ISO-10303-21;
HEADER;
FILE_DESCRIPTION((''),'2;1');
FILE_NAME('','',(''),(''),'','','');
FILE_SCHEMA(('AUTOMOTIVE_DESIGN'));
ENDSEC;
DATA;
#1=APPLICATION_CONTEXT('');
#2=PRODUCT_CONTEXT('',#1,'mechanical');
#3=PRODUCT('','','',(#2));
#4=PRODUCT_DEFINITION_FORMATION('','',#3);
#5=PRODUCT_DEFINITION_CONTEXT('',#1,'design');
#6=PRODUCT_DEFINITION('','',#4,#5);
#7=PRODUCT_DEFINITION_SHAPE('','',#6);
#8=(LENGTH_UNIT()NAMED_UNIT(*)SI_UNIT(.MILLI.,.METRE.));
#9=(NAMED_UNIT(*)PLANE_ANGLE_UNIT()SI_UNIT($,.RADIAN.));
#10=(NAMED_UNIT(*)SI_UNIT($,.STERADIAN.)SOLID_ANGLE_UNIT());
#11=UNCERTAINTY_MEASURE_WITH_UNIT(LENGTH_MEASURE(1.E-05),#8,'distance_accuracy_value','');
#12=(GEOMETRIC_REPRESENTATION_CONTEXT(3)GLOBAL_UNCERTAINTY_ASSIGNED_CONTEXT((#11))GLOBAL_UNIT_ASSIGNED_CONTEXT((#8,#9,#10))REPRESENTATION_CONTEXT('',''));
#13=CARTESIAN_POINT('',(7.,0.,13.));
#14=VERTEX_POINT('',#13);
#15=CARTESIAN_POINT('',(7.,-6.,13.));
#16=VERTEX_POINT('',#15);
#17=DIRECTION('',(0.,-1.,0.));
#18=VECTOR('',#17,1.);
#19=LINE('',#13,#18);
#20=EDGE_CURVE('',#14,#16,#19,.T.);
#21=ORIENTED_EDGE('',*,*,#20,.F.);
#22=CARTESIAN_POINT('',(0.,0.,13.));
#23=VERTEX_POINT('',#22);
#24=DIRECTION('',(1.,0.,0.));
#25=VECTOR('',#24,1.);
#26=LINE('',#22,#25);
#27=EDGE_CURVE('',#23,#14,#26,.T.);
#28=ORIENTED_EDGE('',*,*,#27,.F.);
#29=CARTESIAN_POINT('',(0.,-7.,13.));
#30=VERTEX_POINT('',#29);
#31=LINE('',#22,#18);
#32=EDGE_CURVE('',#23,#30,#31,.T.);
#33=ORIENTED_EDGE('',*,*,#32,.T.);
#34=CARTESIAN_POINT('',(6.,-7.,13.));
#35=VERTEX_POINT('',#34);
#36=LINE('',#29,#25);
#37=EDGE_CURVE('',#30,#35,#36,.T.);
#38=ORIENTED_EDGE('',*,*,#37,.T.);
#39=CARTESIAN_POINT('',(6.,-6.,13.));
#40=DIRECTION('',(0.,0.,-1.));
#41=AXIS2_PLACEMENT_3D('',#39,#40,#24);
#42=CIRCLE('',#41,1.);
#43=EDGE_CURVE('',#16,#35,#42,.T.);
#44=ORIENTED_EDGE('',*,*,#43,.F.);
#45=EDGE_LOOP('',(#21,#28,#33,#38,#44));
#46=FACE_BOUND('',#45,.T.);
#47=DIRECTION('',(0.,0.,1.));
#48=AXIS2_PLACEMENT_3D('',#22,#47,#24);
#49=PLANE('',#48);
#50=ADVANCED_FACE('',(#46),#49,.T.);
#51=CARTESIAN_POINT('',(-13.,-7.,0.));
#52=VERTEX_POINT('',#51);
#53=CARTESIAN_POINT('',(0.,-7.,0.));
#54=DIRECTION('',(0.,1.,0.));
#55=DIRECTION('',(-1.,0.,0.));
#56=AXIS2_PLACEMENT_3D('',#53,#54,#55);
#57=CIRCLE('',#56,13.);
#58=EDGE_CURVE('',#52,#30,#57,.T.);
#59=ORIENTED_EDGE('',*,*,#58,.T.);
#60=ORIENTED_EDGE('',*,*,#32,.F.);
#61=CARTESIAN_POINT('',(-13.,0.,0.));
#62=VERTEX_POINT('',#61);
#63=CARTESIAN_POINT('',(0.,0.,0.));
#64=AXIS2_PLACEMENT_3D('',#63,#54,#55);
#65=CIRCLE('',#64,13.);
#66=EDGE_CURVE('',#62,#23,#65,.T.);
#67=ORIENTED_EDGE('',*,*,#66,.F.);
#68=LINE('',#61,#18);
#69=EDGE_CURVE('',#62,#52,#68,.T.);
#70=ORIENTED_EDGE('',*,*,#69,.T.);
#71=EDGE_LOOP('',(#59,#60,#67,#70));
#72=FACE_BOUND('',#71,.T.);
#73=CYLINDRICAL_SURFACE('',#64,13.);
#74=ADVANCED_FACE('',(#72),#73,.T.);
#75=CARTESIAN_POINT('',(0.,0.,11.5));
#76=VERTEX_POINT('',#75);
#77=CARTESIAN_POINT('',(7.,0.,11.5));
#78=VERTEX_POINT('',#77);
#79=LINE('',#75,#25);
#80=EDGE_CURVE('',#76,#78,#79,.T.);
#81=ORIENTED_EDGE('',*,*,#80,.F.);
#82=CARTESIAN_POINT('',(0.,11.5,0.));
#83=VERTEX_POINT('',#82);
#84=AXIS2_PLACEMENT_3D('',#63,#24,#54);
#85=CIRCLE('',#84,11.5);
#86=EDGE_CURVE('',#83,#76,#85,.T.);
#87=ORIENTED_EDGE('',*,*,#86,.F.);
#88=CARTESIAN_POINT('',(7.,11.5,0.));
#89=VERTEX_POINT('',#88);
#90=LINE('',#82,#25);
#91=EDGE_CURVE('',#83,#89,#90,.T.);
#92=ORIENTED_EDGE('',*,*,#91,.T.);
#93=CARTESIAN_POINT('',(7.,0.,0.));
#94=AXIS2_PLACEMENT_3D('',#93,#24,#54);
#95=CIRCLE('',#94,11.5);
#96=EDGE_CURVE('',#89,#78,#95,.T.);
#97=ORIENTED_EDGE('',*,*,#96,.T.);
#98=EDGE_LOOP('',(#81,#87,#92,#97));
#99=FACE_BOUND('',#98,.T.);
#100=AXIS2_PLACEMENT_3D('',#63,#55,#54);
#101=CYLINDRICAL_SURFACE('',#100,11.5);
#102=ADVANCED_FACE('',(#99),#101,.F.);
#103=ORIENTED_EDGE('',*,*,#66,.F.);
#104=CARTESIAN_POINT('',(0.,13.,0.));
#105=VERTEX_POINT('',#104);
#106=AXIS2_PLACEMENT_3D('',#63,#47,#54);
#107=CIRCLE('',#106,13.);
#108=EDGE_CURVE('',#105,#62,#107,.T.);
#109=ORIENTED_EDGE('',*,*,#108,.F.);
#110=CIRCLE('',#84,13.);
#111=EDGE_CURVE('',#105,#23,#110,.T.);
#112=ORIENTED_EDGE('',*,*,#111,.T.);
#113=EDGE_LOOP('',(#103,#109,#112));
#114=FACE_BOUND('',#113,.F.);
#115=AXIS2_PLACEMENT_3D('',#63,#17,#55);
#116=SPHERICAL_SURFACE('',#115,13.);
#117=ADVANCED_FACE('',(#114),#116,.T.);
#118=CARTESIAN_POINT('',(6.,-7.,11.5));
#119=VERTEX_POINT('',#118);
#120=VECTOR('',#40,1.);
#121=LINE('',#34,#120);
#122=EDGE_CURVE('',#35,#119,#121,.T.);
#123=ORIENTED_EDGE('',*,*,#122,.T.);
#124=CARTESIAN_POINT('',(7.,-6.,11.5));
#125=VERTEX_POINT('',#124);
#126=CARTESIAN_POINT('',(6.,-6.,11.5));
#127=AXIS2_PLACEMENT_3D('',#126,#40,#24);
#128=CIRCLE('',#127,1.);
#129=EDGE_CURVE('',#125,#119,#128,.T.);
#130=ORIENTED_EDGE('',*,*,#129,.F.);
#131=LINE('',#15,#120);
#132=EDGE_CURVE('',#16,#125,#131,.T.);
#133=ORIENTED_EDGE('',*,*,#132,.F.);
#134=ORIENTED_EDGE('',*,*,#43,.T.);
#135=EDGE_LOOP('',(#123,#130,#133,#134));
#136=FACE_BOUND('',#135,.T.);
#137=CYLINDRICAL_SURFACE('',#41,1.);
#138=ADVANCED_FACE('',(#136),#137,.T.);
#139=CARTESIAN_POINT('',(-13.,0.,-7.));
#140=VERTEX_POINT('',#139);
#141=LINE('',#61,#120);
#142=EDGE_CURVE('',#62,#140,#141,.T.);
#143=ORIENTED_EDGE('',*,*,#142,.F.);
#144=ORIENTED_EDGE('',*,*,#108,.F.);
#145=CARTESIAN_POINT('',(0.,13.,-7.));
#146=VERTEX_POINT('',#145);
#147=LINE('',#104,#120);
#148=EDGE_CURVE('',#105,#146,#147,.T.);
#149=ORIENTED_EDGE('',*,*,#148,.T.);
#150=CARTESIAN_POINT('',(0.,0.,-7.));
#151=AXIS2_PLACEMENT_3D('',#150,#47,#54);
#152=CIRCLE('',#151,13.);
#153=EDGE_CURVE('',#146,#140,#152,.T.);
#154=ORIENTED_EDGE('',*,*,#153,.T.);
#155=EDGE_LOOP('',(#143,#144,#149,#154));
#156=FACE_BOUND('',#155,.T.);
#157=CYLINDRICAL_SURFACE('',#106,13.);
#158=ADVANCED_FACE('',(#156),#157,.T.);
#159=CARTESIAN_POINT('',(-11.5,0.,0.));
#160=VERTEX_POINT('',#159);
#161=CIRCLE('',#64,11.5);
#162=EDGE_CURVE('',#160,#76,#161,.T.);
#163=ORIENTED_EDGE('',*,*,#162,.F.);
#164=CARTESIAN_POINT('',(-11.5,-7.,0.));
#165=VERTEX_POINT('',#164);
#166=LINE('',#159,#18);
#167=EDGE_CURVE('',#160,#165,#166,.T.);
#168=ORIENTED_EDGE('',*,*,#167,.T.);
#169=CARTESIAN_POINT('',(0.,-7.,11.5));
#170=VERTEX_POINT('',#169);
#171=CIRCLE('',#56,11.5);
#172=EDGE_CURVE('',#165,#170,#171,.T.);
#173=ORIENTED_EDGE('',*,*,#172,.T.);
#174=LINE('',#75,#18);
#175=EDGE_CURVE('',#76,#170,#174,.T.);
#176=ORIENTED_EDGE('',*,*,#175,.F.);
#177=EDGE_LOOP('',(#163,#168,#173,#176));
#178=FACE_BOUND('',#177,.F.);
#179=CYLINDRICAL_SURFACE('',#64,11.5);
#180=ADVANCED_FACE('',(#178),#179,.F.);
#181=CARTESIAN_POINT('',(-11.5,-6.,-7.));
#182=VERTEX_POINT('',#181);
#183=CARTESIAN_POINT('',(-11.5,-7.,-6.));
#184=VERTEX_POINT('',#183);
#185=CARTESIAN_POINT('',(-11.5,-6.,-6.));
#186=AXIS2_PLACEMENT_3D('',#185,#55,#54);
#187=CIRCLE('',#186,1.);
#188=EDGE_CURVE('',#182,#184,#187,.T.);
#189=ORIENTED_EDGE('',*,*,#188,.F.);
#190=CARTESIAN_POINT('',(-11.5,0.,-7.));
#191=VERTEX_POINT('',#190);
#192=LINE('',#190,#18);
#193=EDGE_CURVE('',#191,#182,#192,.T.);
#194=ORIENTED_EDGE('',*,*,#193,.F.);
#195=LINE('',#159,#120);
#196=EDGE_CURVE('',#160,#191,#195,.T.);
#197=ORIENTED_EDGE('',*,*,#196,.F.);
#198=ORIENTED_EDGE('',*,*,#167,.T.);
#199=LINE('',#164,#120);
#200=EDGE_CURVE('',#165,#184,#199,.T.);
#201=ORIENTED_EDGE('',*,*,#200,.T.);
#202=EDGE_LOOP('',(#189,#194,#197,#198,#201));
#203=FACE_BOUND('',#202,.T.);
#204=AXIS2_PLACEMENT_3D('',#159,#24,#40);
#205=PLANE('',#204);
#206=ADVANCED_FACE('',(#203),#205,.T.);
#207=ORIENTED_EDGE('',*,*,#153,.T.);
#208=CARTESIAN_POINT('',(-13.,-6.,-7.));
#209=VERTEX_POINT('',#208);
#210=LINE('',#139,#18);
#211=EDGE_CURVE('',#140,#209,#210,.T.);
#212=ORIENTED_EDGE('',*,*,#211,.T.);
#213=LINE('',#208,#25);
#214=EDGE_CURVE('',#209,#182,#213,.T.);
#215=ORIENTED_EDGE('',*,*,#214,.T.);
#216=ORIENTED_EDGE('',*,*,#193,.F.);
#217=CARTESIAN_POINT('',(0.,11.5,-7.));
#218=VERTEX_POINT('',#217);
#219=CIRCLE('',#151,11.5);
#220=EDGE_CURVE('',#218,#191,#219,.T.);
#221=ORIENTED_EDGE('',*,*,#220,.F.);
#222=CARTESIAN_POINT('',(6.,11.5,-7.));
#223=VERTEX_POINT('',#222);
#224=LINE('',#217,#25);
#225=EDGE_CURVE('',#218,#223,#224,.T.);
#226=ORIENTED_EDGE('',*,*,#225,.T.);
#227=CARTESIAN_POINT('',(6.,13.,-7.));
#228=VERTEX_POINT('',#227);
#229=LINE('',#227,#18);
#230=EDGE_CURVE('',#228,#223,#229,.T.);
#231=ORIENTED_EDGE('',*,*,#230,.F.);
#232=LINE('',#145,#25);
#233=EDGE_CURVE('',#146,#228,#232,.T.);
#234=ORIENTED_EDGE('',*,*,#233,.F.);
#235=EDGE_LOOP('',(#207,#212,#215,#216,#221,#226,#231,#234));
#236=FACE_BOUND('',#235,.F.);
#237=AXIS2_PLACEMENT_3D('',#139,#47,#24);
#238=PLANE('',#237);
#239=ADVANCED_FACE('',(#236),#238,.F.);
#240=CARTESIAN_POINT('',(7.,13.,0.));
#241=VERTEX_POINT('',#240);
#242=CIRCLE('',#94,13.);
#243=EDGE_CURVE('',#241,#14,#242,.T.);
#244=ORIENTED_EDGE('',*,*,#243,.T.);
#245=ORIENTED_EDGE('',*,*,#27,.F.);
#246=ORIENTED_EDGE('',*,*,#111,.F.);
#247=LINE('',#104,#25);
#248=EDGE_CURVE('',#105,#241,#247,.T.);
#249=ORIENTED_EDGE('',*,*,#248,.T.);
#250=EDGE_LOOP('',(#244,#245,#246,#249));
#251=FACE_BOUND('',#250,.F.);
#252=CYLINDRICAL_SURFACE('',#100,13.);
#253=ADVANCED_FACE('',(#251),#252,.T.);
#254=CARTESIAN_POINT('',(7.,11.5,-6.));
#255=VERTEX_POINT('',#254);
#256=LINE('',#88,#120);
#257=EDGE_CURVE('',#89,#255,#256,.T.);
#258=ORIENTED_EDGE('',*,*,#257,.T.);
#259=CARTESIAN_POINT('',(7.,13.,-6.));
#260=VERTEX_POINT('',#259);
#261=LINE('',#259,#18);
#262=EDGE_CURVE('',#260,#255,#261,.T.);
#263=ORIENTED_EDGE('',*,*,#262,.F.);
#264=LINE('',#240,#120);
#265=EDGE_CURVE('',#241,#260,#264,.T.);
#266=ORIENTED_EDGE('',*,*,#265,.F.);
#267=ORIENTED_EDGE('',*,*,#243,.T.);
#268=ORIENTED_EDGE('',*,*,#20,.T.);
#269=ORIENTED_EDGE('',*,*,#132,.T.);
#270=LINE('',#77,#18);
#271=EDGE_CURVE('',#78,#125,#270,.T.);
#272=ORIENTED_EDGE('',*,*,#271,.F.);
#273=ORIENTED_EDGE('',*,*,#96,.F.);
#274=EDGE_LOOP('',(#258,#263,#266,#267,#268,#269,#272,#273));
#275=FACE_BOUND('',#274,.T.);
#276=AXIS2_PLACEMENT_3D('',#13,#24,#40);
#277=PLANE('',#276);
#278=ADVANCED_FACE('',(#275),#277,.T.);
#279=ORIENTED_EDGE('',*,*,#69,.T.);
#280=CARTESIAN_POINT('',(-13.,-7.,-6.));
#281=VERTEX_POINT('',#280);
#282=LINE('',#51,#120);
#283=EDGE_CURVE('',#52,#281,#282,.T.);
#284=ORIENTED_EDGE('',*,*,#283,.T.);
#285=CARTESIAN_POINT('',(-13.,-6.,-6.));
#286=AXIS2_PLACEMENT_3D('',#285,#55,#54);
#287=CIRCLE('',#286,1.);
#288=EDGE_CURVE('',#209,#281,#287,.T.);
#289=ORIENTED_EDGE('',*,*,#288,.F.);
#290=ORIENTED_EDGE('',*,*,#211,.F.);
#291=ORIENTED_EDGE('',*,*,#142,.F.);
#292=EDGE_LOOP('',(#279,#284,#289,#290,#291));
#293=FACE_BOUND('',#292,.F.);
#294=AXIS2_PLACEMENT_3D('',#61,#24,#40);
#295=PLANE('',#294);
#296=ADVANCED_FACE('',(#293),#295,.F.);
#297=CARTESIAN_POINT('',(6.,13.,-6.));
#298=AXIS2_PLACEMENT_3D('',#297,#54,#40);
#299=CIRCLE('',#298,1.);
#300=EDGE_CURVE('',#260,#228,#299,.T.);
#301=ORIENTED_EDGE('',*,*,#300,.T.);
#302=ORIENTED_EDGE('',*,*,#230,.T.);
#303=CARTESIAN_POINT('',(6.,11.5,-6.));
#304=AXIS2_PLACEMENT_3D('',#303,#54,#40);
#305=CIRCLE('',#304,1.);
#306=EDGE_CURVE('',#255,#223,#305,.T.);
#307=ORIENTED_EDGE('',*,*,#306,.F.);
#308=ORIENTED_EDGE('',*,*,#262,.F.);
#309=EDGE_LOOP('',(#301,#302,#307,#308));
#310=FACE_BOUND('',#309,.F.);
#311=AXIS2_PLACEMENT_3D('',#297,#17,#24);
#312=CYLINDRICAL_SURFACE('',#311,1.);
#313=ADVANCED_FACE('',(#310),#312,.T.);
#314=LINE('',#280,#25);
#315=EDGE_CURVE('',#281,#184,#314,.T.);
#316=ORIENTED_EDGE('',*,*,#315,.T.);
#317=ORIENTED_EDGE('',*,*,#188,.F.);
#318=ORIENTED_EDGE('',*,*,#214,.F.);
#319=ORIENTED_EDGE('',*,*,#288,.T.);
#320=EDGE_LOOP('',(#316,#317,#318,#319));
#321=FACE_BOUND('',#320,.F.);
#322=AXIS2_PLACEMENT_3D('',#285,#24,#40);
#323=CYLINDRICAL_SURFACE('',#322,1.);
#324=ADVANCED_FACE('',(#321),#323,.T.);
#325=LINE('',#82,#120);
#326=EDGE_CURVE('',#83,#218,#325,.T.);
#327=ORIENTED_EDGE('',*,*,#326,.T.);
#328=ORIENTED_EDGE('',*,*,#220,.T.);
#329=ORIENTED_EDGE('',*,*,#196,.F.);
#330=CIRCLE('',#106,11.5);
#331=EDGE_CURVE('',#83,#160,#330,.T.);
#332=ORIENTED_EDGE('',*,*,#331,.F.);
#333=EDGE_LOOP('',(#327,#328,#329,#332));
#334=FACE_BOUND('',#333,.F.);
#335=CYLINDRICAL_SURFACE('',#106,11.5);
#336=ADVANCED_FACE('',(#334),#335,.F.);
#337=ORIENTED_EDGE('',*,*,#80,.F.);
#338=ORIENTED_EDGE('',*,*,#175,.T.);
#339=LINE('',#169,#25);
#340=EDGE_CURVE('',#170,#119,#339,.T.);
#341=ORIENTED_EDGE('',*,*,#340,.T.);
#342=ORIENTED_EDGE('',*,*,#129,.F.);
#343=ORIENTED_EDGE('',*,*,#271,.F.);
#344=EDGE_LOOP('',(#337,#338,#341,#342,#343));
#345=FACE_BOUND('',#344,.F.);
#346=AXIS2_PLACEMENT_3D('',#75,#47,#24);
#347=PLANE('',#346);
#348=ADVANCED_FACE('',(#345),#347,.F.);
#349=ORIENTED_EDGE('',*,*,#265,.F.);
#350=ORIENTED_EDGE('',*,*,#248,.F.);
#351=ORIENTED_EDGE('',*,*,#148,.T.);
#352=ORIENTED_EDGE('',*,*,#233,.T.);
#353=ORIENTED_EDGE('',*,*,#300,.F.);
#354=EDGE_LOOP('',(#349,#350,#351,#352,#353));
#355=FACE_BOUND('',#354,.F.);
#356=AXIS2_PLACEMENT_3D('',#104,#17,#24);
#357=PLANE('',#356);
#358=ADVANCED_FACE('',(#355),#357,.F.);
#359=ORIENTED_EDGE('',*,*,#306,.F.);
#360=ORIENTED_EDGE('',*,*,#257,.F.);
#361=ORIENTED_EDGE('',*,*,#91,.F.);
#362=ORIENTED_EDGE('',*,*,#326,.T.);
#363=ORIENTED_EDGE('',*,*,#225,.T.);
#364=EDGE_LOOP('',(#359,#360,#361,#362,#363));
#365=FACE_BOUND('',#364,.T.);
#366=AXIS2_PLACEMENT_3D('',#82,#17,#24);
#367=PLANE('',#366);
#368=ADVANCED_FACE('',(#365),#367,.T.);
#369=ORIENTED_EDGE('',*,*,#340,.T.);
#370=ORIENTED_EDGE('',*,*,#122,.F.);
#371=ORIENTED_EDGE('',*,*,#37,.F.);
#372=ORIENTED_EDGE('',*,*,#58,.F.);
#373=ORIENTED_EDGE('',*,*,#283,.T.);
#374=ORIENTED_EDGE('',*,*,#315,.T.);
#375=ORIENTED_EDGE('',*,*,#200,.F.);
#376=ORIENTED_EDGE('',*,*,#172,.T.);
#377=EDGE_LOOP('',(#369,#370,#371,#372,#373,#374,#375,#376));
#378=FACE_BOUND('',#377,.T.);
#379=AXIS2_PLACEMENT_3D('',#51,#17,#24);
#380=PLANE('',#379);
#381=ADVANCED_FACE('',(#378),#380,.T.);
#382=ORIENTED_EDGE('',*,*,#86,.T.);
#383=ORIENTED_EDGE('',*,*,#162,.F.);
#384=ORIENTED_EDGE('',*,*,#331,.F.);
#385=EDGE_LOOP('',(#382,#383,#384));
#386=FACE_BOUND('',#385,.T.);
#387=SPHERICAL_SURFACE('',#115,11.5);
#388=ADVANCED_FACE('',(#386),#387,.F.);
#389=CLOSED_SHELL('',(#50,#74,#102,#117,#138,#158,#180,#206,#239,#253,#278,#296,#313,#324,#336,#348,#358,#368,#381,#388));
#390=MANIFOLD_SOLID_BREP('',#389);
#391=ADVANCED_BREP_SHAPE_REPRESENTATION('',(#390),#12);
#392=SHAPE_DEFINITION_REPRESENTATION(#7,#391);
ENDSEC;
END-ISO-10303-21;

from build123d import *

# Parameters (mm, degrees)
F1_ANGLE = 90
F2_DEPTH = 7
F3_DEPTH = 7
F4_DEPTH = 7
F5_T     = -1.5
F6_R     = 1


with BuildPart() as f1:
    # F0 (on Top) → F1 (revolve)
    with BuildSketch(Plane.XY):
        with BuildLine():
            Line((-13, 0), (0, 0))
            Line((0, 0), (0, 13))
            ThreePointArc((0, 13), (-9.1923881554, 9.1923881554), (-13, 0))
        make_face()
    revolve(axis=Axis((0, 6.5, 0), (0, 1, 0)), revolution_arc=F1_ANGLE)

    # F2 (add): a face of the model
    f2_faces = [f1.faces().sort_by_distance(p)[0] for p in [
        (0, 5.5173713605, 5.5173713605),
    ]]
    extrude(f2_faces, amount=F2_DEPTH)

    # F3 (add): a face of the model
    f3_faces = [f1.faces().sort_by_distance(p)[0] for p in [
        (-1.8496808576, 5.9170419058, 0),
    ]]
    extrude(f3_faces, amount=F3_DEPTH)

    # F4 (add): a face of the model
    f4_faces = [f1.faces().sort_by_distance(p)[0] for p in [
        (-2.29243693, 0, 2.29243693),
    ]]
    extrude(f4_faces, amount=F4_DEPTH)

    # F5
    f5_openings = [f1.faces().sort_by_distance(p)[0] for p in [
        (7, 2.292437, 2.292437),
        (-2.292437, 2.292437, -7),
        (-2.292437, -7, 2.292437),
    ]]
    offset(amount=F5_T, openings=f5_openings)

    # F6
    f6_edges = [f1.edges().sort_by_distance(p)[0] for p in [
        (7, -7, 12.25),
        (7, 12.25, -7),
        (-12.25, -7, -7),
    ]]
    fillet(f6_edges, radius=F6_R)


solid = f1.part
